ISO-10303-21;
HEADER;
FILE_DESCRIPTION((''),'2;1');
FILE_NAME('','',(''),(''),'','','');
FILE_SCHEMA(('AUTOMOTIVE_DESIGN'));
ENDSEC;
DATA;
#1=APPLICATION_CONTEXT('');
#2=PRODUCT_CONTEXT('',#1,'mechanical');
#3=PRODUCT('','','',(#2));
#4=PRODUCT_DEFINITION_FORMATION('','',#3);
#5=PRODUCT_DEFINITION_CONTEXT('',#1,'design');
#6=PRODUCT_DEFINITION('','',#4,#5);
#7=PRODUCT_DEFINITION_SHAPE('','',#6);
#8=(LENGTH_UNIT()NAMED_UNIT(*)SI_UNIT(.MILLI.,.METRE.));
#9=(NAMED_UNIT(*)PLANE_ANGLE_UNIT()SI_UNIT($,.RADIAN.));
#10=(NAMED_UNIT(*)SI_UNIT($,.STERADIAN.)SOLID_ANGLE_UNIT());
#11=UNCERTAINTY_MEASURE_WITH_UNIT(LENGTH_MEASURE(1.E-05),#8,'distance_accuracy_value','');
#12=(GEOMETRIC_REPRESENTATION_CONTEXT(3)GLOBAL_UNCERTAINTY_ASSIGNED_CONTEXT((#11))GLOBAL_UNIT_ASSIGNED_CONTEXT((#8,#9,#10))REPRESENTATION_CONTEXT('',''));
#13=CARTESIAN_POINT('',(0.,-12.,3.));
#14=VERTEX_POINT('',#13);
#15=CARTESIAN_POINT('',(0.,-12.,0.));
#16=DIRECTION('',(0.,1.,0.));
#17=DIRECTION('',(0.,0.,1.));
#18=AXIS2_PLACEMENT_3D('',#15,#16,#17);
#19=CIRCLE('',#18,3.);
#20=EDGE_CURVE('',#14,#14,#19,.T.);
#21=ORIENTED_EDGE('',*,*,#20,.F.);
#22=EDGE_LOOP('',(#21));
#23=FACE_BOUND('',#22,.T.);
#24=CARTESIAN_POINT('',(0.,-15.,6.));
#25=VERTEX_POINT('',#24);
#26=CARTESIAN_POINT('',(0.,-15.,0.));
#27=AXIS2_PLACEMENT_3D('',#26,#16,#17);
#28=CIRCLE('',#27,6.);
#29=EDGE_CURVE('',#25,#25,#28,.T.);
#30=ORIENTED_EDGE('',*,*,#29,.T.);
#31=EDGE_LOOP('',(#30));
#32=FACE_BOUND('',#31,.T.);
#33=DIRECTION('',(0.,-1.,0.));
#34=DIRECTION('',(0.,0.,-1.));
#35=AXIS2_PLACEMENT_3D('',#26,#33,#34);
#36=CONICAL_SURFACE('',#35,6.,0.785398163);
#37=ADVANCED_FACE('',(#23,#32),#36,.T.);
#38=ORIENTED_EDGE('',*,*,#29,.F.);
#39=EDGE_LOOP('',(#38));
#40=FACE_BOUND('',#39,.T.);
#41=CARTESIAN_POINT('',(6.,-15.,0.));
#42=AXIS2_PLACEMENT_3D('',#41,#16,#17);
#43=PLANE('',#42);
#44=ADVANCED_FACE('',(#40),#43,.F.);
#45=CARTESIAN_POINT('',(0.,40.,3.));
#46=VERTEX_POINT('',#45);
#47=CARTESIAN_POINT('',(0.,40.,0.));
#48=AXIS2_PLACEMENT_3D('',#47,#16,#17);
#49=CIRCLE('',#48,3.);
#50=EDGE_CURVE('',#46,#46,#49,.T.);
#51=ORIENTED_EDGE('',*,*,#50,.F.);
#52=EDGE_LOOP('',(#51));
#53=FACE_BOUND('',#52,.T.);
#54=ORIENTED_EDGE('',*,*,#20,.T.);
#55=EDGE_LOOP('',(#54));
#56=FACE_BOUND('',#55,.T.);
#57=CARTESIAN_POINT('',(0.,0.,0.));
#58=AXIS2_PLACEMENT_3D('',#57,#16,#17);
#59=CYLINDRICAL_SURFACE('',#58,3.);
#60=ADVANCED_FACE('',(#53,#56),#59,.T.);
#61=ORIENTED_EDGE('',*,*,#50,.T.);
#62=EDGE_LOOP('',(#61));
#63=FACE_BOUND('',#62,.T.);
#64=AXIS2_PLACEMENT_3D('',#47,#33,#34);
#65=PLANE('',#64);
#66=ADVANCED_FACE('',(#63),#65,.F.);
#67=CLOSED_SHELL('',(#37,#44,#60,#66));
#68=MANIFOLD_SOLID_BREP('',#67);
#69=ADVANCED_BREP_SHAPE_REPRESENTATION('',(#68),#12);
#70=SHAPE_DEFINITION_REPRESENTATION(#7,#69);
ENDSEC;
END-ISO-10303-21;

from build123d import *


with BuildPart() as part:
    # Esquisse1 → Révolution1 (revolve)
    with BuildSketch(Plane.XY):
        Polygon((3, 40), (3, -12), (6, -15), (0, -15), (0, 40), align=None)
    revolve(axis=Axis((0, 0, 0), (0, -1, 0)))


solid = part.part
